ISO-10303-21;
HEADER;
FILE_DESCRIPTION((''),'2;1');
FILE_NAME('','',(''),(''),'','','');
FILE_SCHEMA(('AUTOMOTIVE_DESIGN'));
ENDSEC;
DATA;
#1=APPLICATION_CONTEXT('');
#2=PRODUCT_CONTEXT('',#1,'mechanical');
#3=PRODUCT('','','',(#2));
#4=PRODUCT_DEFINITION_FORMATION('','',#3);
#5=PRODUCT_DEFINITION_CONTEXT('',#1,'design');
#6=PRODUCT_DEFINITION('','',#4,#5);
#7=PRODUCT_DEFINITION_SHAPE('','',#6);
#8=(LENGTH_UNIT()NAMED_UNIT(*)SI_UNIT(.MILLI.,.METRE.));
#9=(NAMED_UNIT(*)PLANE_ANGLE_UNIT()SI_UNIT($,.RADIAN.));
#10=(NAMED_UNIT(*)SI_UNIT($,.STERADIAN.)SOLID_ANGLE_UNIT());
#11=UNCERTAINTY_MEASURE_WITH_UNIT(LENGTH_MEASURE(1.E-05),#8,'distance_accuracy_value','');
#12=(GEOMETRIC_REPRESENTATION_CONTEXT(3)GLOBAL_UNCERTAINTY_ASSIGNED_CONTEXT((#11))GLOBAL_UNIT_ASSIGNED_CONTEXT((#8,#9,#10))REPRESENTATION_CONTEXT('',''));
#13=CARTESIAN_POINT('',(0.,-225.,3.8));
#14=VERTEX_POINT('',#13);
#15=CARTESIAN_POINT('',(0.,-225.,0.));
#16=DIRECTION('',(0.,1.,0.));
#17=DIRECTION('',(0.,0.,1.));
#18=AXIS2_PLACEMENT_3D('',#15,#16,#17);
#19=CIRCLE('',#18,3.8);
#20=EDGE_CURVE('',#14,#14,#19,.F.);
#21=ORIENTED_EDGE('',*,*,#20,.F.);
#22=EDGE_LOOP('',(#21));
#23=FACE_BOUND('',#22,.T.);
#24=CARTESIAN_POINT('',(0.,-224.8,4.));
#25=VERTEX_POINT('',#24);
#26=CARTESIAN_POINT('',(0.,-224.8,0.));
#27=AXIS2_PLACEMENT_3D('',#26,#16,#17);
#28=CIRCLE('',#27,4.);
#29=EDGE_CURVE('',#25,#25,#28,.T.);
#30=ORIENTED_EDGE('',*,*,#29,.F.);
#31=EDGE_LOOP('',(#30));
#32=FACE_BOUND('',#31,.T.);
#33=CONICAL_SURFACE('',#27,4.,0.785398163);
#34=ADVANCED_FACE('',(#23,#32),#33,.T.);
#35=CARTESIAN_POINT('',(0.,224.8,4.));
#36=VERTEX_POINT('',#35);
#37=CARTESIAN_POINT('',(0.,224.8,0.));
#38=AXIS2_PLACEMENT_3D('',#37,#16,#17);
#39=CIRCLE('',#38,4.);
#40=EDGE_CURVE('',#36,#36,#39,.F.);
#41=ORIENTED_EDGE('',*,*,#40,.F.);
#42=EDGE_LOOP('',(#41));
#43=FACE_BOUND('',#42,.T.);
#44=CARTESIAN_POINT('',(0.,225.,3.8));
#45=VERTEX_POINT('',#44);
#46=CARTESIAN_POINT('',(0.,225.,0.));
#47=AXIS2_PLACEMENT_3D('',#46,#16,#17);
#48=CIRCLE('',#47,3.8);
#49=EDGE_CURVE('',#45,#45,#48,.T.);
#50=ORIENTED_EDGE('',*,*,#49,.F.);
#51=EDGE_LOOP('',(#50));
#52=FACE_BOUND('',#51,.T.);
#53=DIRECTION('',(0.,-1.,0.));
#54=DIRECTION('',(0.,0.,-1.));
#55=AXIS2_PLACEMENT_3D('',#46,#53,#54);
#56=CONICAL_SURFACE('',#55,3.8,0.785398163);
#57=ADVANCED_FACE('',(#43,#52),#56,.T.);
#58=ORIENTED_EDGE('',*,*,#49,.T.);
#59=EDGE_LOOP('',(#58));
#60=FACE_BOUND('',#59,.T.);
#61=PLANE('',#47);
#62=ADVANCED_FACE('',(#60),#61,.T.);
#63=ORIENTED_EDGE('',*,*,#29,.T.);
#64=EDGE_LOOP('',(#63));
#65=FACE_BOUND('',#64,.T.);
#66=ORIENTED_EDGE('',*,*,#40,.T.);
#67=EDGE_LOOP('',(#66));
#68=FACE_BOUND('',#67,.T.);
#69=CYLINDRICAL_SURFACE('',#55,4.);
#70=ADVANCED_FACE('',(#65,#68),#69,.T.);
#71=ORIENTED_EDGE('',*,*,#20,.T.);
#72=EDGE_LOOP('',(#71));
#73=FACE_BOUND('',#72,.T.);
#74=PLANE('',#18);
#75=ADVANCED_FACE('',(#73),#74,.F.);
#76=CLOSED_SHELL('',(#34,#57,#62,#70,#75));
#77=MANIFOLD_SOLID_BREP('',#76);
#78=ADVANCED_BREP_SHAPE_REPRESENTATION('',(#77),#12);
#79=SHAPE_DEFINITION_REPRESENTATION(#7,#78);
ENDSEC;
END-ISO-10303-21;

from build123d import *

# Parameters (mm, degrees)
SKETCH1_R           = 4
BOSS_EXTRUDE1_DEPTH = 225
CHAMFER1_SIZE       = 0.2


with BuildPart() as part:
    # Sketch1 → Boss-Extrude1 (new body, symmetric)
    with BuildSketch(Plane(origin=(0, 0, 0), x_dir=(1, 0, 0), z_dir=(0, 1, 0))):
        Circle(SKETCH1_R)
    extrude(amount=BOSS_EXTRUDE1_DEPTH, both=True)

    # Chamfer1
    chamfer1_edges = [part.edges().sort_by_distance(p)[0] for p in [
        (-4, -225, 0),
        (-4, 225, 0),
    ]]
    chamfer(chamfer1_edges, length=CHAMFER1_SIZE)


solid = part.part
